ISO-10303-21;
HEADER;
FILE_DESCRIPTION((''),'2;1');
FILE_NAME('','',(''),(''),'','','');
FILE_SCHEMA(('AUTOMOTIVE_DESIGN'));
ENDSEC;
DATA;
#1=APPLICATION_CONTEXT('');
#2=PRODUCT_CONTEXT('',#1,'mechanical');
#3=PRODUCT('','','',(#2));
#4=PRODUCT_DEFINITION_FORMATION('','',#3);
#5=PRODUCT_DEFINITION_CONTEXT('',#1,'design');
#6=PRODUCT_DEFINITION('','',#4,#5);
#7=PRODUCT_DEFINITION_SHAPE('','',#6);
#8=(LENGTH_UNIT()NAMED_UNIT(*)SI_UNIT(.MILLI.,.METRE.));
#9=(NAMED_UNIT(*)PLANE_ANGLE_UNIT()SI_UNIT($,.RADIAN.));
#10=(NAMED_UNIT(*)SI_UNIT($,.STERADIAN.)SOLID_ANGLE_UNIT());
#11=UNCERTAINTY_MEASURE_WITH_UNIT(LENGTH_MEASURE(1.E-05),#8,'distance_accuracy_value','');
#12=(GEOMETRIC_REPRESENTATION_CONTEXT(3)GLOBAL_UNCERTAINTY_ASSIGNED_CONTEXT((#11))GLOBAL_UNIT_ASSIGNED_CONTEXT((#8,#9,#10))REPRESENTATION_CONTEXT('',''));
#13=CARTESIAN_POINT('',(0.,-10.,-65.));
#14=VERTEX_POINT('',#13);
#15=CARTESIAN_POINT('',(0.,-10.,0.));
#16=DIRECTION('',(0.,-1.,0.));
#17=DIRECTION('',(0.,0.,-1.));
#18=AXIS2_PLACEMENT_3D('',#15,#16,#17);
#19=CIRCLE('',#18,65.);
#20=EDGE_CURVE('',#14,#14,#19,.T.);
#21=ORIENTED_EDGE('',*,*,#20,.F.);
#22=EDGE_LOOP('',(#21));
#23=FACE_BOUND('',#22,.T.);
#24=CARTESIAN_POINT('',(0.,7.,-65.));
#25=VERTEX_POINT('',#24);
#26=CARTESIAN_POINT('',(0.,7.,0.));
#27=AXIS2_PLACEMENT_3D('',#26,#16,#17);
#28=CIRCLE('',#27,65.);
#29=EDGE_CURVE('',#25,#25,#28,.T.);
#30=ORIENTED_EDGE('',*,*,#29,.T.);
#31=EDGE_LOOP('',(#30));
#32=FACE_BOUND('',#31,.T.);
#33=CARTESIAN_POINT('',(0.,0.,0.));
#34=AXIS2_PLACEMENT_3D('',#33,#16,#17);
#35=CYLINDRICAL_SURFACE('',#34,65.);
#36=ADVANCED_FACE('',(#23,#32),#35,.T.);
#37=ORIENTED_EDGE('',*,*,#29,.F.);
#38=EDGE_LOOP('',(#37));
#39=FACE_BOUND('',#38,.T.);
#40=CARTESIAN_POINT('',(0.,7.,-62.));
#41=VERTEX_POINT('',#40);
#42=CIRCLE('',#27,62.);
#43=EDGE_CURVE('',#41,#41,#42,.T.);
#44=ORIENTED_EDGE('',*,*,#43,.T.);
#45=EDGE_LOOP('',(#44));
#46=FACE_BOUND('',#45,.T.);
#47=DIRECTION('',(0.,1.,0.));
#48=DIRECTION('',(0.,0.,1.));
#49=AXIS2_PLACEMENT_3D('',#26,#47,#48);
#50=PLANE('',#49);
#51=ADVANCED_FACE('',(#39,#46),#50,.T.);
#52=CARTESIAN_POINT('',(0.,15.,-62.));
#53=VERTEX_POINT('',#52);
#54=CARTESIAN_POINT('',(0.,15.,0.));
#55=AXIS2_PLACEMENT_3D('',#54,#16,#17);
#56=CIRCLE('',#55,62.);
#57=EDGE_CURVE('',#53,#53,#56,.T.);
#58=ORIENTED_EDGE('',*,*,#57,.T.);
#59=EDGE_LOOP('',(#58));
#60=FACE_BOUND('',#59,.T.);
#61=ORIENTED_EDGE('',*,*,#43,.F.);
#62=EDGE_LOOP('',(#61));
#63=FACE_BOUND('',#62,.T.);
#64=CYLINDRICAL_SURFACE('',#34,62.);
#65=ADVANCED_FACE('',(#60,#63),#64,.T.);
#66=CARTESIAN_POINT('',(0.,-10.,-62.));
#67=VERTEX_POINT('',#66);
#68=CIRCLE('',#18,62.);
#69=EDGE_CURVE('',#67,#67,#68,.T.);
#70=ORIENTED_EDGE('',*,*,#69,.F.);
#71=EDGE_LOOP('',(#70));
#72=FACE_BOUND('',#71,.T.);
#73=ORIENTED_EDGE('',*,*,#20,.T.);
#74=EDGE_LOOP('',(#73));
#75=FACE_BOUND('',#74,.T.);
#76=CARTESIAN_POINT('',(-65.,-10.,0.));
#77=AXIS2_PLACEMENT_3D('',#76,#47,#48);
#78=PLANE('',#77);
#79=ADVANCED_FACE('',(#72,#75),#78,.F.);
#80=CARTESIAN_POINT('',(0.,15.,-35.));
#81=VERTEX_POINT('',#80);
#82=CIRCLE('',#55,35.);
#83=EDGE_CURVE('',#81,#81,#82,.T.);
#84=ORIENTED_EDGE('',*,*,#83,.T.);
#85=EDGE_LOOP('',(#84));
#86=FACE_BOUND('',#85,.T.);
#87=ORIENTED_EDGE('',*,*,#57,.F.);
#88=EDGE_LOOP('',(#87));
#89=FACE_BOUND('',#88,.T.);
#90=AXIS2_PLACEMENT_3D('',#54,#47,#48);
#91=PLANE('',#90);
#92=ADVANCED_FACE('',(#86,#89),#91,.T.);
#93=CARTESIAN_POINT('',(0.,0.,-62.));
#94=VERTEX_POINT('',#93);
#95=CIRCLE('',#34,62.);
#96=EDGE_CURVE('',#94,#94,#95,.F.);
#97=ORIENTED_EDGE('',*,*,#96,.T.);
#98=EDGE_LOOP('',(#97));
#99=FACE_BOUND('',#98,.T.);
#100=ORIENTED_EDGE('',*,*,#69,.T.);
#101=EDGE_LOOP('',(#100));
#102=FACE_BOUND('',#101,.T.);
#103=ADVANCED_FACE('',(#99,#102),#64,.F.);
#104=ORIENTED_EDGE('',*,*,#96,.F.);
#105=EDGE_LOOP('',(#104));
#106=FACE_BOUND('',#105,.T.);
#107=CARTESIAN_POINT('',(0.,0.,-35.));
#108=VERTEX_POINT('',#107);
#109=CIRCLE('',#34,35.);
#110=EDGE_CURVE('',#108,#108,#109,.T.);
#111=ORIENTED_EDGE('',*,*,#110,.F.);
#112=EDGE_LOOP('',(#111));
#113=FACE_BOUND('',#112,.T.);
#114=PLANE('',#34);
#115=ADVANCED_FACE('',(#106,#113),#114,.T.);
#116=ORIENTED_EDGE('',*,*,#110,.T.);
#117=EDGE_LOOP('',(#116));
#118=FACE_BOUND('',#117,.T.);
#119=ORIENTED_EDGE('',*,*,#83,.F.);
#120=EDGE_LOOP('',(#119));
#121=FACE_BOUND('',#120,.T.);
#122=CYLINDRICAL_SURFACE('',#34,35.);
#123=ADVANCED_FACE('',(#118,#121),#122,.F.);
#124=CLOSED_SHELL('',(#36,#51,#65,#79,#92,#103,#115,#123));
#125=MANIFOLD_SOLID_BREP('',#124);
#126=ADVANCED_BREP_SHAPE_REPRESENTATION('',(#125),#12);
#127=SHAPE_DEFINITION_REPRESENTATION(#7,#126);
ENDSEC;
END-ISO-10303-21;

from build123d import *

# Parameters (mm, degrees)
SZKIC1_W = 3
SZKIC1_H = 10


with BuildPart() as part:
    # Szkic1 → Obrót1 (revolve)
    with BuildSketch(Plane.XY, mode=Mode.PRIVATE) as obr_t1_sk:
        Polygon((-62, 0), (-35, 0), (-35, 15), (-62, 15), (-62, 7), (-65, 7), (-65, 0), align=None)
        with Locations((-63.5, -5)):
            Rectangle(SZKIC1_W, SZKIC1_H)
    revolve(obr_t1_sk.sketch.rotate(Axis((0, 0, 0), (0, 1, 0)), 270), axis=Axis((0, 0, 0), (0, 1, 0)))


solid = part.part
